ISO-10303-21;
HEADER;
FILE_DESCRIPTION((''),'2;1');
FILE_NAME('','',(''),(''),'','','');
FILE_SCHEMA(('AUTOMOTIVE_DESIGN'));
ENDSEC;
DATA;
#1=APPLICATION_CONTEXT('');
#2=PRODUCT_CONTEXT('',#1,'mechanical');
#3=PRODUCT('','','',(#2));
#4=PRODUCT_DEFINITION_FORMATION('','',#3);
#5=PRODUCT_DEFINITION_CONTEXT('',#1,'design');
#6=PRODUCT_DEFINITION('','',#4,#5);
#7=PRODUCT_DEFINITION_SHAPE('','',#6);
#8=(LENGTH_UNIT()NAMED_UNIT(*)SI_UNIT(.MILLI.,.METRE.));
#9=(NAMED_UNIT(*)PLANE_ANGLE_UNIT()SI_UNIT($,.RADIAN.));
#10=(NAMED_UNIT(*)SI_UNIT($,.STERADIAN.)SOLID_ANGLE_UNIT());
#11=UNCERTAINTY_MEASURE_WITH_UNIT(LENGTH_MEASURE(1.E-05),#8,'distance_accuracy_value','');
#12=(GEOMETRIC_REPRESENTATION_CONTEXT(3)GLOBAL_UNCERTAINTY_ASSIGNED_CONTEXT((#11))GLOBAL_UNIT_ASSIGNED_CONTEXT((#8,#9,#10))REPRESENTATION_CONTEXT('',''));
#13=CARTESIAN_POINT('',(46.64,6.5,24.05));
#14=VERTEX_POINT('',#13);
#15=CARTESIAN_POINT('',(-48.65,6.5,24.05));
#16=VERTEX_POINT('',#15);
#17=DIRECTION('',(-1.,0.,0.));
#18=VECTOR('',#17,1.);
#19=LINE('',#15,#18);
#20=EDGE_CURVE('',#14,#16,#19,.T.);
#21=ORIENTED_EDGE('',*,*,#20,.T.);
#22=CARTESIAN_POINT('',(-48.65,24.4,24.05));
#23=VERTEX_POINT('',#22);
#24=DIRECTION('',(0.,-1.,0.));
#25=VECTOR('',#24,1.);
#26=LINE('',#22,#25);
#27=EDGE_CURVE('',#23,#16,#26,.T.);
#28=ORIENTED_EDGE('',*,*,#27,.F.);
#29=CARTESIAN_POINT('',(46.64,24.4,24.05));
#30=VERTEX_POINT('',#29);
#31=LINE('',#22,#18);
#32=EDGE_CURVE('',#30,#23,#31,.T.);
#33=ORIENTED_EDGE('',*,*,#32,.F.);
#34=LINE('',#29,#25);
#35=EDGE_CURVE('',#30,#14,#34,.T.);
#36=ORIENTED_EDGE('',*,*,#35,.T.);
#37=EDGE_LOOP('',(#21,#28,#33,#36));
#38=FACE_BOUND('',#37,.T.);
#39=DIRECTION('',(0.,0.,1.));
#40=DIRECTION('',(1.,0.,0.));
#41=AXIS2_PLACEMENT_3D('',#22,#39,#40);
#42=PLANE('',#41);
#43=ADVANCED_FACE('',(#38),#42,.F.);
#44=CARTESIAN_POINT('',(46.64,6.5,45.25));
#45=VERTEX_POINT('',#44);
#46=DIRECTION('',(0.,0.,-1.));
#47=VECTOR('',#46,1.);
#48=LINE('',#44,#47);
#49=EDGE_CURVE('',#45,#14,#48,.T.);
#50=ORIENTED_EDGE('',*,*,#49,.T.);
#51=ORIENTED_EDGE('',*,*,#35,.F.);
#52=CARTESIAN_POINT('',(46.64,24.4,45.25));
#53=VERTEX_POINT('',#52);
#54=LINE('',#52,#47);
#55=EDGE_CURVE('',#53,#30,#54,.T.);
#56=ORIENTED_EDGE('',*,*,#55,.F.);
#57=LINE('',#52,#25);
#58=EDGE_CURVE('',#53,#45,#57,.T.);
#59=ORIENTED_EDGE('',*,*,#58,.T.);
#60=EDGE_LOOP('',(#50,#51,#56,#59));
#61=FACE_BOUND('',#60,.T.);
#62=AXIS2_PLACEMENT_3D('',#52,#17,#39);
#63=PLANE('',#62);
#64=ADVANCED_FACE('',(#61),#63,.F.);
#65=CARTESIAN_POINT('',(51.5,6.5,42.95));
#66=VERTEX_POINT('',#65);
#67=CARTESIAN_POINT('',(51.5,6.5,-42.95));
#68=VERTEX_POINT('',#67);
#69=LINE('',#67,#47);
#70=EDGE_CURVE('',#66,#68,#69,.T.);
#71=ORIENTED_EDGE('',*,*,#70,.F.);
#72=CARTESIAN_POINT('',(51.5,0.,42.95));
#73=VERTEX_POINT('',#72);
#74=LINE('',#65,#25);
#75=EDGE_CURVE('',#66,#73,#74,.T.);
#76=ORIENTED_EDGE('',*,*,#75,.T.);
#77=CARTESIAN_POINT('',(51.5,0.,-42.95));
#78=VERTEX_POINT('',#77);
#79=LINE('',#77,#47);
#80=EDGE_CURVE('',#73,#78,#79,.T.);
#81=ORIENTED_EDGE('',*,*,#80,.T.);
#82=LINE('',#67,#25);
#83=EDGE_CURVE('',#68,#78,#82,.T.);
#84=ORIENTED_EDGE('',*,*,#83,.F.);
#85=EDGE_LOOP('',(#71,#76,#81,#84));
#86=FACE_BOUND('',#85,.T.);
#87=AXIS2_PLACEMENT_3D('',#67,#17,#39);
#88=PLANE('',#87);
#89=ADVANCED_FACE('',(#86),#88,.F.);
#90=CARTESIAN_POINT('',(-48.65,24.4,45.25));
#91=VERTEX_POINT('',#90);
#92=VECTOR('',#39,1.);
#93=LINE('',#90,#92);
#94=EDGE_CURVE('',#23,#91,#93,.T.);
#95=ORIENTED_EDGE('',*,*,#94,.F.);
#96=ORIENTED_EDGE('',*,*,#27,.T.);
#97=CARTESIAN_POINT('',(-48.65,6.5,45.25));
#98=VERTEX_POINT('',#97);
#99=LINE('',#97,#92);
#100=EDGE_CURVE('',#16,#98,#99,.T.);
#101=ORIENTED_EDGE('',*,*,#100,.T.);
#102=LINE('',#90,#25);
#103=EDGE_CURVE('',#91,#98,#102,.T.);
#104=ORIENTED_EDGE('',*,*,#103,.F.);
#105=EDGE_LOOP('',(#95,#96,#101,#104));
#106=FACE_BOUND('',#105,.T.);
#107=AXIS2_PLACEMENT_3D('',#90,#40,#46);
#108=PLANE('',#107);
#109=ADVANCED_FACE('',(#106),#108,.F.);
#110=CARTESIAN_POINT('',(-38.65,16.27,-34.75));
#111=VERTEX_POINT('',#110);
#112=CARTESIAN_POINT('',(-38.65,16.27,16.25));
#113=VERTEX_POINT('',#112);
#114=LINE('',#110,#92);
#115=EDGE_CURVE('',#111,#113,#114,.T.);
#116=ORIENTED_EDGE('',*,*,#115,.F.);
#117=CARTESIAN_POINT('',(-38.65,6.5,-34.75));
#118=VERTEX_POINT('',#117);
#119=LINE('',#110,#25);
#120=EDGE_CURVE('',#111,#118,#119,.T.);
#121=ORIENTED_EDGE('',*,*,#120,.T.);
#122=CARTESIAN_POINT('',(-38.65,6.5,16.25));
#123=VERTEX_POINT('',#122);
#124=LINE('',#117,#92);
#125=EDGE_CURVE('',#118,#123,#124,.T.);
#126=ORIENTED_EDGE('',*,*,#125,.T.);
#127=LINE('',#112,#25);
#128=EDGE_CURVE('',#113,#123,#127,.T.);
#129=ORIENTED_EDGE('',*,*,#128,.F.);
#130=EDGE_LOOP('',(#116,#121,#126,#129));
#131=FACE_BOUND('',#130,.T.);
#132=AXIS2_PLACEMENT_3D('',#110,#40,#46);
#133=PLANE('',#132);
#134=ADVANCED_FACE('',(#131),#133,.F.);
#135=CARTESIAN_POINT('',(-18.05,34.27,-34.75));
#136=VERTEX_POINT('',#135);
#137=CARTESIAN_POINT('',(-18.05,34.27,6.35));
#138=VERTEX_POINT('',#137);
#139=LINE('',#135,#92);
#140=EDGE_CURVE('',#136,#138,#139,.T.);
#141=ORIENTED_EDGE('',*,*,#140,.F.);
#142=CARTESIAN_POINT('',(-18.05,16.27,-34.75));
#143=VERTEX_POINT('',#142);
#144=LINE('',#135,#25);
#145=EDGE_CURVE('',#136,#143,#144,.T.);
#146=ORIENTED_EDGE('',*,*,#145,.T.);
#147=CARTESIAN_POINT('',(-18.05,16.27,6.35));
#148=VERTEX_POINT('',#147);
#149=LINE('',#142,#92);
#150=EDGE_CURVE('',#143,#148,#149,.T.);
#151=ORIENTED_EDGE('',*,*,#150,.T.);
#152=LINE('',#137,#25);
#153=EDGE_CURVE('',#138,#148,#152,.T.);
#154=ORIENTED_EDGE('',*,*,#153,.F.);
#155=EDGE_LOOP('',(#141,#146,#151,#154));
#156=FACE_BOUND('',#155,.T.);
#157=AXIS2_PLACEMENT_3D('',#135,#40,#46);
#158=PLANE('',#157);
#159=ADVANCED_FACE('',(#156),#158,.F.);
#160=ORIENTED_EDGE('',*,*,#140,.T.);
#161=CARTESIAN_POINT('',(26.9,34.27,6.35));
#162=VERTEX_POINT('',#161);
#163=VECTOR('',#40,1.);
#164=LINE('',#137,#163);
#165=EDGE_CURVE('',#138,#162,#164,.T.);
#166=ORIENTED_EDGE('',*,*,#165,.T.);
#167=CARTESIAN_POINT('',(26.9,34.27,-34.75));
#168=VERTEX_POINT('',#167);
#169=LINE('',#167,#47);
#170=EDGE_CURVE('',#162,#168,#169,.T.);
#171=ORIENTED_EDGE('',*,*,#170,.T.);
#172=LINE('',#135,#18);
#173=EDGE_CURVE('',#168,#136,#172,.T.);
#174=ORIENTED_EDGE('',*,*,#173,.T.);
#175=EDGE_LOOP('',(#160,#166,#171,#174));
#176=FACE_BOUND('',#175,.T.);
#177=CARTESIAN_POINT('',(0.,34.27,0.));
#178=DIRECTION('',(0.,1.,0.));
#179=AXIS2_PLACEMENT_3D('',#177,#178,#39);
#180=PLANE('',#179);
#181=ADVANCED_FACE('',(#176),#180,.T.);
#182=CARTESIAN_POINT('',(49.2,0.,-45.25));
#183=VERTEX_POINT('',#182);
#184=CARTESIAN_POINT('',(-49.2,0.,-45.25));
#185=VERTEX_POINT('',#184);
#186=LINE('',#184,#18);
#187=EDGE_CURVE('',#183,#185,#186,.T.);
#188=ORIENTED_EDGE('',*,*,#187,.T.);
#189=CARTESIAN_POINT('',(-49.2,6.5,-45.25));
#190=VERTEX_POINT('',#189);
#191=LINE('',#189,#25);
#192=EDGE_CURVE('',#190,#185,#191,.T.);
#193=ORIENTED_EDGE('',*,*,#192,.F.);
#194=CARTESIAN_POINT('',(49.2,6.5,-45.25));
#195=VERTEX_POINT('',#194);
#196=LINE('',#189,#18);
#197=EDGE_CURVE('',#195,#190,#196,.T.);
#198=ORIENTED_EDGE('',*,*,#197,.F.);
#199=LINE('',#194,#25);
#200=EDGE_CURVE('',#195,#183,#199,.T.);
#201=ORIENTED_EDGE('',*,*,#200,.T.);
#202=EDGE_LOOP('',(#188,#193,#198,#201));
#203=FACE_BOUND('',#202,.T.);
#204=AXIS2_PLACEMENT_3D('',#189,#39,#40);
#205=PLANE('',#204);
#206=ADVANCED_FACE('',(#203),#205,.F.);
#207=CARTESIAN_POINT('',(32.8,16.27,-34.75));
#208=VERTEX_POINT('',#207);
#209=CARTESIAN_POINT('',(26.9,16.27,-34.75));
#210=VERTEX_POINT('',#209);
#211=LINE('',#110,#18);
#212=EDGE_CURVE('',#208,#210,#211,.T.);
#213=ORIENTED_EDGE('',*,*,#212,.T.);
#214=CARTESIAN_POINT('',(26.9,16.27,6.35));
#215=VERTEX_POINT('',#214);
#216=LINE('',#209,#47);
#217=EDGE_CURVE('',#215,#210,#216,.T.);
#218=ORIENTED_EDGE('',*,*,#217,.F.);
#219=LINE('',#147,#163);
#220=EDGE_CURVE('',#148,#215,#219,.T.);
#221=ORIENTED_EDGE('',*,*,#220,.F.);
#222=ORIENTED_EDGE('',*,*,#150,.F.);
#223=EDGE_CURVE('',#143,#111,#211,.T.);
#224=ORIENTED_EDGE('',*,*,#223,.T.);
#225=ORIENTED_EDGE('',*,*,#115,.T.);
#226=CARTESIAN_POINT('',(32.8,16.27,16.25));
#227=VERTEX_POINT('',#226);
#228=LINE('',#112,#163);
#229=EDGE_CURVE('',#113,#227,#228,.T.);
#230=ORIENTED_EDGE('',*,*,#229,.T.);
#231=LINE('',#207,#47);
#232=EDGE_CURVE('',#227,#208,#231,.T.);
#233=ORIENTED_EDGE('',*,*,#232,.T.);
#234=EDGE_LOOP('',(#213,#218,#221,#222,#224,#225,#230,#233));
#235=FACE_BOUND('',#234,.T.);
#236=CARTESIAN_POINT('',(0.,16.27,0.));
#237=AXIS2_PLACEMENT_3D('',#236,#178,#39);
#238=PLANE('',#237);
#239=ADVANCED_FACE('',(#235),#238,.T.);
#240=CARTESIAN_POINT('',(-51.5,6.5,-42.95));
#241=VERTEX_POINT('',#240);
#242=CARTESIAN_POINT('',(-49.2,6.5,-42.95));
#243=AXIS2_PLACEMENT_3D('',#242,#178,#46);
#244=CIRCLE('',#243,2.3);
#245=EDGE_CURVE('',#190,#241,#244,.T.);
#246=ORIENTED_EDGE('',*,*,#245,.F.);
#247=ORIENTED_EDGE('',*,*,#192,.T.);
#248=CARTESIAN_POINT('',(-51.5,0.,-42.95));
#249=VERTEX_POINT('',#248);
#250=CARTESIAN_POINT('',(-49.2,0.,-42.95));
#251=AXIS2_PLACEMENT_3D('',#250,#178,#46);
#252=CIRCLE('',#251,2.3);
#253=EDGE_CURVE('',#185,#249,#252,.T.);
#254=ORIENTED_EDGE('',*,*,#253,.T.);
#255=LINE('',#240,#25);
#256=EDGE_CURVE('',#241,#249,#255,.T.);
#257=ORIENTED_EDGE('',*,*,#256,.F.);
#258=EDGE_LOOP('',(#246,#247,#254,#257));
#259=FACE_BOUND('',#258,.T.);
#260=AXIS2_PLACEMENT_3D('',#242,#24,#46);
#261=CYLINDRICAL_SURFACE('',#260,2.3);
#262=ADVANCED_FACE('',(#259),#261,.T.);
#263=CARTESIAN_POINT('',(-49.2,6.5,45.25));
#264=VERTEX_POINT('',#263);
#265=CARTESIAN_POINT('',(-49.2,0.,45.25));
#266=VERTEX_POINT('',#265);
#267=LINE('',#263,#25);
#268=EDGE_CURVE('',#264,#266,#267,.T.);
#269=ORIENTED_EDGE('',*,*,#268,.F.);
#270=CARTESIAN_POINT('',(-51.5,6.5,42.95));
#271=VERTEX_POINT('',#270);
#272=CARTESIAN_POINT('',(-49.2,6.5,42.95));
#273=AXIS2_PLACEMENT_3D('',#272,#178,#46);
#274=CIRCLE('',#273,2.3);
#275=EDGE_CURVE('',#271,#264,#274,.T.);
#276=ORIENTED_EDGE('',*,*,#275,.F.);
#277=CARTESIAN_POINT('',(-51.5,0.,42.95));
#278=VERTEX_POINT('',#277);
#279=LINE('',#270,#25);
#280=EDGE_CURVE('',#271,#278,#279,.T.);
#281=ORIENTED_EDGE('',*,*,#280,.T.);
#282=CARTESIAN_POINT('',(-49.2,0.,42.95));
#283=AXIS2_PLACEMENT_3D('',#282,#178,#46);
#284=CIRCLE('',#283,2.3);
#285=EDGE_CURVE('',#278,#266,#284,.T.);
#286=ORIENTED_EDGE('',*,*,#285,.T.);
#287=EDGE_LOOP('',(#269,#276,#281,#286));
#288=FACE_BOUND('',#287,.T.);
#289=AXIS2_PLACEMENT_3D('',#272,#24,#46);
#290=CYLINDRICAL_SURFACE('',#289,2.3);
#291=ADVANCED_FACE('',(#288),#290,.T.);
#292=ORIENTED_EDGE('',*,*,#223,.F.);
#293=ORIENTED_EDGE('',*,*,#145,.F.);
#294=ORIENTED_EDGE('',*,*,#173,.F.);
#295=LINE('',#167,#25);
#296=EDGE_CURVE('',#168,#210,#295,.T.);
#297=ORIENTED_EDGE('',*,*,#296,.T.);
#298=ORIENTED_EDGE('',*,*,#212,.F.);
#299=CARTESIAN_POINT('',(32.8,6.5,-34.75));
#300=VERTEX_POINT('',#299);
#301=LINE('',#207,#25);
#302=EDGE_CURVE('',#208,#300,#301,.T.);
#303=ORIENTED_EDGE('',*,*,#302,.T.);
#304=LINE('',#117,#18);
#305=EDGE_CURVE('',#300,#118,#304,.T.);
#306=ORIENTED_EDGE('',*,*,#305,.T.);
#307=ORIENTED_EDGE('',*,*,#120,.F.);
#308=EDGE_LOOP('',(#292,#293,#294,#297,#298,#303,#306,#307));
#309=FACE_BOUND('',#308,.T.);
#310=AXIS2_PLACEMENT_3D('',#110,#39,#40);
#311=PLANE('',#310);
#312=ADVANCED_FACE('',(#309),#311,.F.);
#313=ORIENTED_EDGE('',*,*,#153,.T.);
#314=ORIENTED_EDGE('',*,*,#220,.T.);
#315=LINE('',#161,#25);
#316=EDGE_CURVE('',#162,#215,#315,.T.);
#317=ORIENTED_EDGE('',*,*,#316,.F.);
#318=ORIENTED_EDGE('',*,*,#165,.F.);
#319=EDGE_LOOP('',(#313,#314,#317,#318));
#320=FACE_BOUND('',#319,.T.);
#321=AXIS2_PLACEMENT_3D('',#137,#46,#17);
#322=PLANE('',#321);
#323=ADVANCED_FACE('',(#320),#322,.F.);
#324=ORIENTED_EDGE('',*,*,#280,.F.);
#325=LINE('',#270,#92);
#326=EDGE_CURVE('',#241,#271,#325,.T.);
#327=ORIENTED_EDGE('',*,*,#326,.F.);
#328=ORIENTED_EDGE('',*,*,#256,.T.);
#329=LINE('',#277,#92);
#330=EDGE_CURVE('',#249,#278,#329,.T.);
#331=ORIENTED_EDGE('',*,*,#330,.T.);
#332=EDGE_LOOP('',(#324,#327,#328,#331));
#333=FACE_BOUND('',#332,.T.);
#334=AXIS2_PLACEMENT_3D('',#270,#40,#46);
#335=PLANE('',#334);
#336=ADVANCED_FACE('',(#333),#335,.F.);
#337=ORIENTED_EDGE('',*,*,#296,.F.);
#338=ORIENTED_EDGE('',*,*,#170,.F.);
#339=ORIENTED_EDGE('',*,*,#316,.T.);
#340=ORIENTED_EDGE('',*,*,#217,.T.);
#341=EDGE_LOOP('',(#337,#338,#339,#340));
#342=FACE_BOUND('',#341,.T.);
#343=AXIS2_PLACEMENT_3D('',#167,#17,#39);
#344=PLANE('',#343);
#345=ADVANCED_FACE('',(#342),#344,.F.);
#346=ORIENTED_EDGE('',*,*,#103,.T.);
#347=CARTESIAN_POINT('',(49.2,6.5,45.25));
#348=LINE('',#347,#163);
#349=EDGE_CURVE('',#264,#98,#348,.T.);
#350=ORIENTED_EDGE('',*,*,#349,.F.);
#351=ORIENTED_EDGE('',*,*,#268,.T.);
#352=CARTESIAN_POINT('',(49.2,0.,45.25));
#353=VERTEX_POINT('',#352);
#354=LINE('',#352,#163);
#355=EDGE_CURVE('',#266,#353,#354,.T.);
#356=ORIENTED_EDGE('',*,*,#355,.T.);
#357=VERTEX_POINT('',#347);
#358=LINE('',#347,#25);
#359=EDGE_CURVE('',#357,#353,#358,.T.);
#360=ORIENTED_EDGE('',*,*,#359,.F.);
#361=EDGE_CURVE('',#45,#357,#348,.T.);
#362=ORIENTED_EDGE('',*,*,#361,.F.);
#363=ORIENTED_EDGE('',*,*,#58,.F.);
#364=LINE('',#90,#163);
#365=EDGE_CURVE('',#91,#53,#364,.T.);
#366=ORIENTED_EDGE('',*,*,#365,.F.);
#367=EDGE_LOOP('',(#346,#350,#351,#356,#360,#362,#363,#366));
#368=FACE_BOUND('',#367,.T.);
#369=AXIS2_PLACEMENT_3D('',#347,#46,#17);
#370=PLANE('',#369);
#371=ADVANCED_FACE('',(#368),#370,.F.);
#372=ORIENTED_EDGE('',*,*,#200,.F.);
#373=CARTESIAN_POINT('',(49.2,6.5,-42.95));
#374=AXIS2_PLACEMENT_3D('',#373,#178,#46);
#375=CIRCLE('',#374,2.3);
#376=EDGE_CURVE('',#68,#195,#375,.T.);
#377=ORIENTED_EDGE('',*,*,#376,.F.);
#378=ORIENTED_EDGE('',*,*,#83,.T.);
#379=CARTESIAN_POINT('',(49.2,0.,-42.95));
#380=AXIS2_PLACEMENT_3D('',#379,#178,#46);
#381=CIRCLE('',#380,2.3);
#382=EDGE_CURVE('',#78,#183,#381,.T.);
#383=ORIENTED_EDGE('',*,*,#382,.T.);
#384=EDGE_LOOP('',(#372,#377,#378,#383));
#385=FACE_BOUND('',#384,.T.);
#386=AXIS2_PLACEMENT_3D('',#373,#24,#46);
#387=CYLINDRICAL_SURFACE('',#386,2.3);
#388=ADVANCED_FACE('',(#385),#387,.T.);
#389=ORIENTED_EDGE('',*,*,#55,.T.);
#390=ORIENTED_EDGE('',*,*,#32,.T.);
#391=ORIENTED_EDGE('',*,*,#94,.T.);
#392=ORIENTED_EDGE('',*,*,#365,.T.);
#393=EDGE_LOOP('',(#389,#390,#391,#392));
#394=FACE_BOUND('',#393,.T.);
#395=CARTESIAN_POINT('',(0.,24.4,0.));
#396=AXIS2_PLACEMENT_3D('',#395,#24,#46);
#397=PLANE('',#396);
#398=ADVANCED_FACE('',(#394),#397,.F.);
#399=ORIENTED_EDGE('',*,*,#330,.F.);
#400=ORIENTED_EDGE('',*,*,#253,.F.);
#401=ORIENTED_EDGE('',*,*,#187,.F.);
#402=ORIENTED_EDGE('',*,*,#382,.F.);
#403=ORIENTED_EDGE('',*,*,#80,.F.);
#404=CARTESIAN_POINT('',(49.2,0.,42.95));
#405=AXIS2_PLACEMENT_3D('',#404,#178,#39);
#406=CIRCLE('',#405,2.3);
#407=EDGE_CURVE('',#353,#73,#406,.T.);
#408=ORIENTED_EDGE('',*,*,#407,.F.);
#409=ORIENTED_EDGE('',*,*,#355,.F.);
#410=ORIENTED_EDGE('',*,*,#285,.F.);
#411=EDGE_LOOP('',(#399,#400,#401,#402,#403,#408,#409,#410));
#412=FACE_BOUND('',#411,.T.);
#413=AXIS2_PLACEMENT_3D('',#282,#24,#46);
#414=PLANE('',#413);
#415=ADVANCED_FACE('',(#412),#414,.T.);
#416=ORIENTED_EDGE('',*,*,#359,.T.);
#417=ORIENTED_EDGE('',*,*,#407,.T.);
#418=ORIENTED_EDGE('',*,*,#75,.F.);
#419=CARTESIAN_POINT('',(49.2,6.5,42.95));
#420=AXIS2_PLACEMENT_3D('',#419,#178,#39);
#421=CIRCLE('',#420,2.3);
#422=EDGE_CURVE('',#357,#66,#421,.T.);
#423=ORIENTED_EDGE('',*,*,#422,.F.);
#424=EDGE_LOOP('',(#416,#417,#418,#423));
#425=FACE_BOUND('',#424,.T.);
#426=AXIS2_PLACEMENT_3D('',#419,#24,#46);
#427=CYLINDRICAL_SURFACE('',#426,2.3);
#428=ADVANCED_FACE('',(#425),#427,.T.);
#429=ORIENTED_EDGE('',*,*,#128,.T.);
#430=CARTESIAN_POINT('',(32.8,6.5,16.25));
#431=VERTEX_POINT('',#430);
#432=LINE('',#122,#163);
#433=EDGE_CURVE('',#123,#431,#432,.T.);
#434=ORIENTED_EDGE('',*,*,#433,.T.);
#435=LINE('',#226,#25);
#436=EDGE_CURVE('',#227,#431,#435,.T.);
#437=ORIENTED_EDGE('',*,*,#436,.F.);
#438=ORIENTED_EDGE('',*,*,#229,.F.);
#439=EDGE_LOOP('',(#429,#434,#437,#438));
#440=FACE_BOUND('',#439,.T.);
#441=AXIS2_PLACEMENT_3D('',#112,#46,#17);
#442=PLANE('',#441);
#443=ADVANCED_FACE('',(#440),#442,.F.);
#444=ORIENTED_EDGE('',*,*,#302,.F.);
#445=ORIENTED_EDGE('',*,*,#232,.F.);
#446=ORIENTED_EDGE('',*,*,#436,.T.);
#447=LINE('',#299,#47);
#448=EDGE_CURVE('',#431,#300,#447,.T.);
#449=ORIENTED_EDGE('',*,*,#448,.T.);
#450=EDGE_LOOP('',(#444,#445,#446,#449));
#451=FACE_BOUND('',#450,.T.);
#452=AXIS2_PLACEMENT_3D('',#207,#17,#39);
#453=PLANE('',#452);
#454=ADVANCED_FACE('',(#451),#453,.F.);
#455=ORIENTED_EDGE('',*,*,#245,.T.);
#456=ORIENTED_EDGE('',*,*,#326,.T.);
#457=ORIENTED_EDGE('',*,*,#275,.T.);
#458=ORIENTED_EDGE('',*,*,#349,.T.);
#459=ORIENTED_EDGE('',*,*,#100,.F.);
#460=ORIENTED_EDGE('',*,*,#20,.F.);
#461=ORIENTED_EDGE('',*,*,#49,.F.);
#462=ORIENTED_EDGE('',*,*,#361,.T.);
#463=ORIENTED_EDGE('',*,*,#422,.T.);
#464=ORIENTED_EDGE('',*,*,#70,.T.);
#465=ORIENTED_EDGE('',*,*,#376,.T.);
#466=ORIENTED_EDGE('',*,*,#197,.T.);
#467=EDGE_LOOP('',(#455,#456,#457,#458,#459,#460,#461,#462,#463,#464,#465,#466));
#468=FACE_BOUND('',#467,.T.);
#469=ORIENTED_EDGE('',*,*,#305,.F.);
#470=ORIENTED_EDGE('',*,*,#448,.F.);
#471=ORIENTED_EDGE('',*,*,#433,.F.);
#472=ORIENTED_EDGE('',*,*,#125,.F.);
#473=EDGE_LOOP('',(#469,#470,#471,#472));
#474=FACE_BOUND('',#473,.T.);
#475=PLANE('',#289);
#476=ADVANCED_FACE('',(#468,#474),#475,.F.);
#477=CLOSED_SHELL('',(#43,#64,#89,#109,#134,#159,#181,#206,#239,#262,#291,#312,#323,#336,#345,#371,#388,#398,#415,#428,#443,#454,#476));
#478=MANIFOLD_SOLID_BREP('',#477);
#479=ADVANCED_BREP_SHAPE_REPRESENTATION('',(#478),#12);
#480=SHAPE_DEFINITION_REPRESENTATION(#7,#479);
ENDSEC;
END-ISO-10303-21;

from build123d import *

# Parameters (mm, degrees)
BOSS_EXTRUDE1_DEPTH = 6.5
SKETCH2_W           = 95.29
SKETCH2_H           = 21.2
BOSS_EXTRUDE2_DEPTH = 17.9
SKETCH3_W           = 71.45
SKETCH3_H           = 51
BOSS_EXTRUDE3_DEPTH = 9.77
SKETCH4_W           = 44.95
SKETCH4_H           = 41.1
BOSS_EXTRUDE4_DEPTH = 18


with BuildPart() as part:
    # Sketch1 → Boss-Extrude1 (new body)
    with BuildSketch(Plane(origin=(0, 0, 0), x_dir=(1, 0, 0), z_dir=(0, 1, 0))):
        with BuildLine():
            Line((-51.5, -42.95), (-51.5, 42.95))
            ThreePointArc((-51.5, 42.95), (-50.826345597, 44.576345597), (-49.2, 45.25))
            Line((-49.2, 45.25), (49.2, 45.25))
            ThreePointArc((49.2, 45.25), (50.826345597, 44.576345597), (51.5, 42.95))
            Line((51.5, 42.95), (51.5, -42.95))
            ThreePointArc((51.5, -42.95), (50.826345597, -44.576345597), (49.2, -45.25))
            Line((49.2, -45.25), (-49.2, -45.25))
            ThreePointArc((-49.2, -45.25), (-50.826345597, -44.576345597), (-51.5, -42.95))
        make_face()
    extrude(amount=BOSS_EXTRUDE1_DEPTH)

    # Sketch2 → Boss-Extrude2 (add)
    with BuildSketch(Plane(origin=(0, 6.5, 0), x_dir=(1, 0, 0), z_dir=(0, 1, 0))):
        with Locations((-1.005, -34.65)):
            Rectangle(SKETCH2_W, SKETCH2_H)
    extrude(amount=BOSS_EXTRUDE2_DEPTH)

    # Sketch3 → Boss-Extrude3 (add)
    with BuildSketch(Plane(origin=(0, 6.5, 0), x_dir=(1, 0, 0), z_dir=(0, 1, 0))):
        with Locations((-2.925, 9.25)):
            Rectangle(SKETCH3_W, SKETCH3_H)
    extrude(amount=BOSS_EXTRUDE3_DEPTH)

    # Sketch4 → Boss-Extrude4 (add)
    with BuildSketch(Plane(origin=(0, 16.27, 0), x_dir=(1, 0, 0), z_dir=(0, 1, 0))):
        with Locations((4.425, 14.2)):
            Rectangle(SKETCH4_W, SKETCH4_H)
    extrude(amount=BOSS_EXTRUDE4_DEPTH)


solid = part.part
